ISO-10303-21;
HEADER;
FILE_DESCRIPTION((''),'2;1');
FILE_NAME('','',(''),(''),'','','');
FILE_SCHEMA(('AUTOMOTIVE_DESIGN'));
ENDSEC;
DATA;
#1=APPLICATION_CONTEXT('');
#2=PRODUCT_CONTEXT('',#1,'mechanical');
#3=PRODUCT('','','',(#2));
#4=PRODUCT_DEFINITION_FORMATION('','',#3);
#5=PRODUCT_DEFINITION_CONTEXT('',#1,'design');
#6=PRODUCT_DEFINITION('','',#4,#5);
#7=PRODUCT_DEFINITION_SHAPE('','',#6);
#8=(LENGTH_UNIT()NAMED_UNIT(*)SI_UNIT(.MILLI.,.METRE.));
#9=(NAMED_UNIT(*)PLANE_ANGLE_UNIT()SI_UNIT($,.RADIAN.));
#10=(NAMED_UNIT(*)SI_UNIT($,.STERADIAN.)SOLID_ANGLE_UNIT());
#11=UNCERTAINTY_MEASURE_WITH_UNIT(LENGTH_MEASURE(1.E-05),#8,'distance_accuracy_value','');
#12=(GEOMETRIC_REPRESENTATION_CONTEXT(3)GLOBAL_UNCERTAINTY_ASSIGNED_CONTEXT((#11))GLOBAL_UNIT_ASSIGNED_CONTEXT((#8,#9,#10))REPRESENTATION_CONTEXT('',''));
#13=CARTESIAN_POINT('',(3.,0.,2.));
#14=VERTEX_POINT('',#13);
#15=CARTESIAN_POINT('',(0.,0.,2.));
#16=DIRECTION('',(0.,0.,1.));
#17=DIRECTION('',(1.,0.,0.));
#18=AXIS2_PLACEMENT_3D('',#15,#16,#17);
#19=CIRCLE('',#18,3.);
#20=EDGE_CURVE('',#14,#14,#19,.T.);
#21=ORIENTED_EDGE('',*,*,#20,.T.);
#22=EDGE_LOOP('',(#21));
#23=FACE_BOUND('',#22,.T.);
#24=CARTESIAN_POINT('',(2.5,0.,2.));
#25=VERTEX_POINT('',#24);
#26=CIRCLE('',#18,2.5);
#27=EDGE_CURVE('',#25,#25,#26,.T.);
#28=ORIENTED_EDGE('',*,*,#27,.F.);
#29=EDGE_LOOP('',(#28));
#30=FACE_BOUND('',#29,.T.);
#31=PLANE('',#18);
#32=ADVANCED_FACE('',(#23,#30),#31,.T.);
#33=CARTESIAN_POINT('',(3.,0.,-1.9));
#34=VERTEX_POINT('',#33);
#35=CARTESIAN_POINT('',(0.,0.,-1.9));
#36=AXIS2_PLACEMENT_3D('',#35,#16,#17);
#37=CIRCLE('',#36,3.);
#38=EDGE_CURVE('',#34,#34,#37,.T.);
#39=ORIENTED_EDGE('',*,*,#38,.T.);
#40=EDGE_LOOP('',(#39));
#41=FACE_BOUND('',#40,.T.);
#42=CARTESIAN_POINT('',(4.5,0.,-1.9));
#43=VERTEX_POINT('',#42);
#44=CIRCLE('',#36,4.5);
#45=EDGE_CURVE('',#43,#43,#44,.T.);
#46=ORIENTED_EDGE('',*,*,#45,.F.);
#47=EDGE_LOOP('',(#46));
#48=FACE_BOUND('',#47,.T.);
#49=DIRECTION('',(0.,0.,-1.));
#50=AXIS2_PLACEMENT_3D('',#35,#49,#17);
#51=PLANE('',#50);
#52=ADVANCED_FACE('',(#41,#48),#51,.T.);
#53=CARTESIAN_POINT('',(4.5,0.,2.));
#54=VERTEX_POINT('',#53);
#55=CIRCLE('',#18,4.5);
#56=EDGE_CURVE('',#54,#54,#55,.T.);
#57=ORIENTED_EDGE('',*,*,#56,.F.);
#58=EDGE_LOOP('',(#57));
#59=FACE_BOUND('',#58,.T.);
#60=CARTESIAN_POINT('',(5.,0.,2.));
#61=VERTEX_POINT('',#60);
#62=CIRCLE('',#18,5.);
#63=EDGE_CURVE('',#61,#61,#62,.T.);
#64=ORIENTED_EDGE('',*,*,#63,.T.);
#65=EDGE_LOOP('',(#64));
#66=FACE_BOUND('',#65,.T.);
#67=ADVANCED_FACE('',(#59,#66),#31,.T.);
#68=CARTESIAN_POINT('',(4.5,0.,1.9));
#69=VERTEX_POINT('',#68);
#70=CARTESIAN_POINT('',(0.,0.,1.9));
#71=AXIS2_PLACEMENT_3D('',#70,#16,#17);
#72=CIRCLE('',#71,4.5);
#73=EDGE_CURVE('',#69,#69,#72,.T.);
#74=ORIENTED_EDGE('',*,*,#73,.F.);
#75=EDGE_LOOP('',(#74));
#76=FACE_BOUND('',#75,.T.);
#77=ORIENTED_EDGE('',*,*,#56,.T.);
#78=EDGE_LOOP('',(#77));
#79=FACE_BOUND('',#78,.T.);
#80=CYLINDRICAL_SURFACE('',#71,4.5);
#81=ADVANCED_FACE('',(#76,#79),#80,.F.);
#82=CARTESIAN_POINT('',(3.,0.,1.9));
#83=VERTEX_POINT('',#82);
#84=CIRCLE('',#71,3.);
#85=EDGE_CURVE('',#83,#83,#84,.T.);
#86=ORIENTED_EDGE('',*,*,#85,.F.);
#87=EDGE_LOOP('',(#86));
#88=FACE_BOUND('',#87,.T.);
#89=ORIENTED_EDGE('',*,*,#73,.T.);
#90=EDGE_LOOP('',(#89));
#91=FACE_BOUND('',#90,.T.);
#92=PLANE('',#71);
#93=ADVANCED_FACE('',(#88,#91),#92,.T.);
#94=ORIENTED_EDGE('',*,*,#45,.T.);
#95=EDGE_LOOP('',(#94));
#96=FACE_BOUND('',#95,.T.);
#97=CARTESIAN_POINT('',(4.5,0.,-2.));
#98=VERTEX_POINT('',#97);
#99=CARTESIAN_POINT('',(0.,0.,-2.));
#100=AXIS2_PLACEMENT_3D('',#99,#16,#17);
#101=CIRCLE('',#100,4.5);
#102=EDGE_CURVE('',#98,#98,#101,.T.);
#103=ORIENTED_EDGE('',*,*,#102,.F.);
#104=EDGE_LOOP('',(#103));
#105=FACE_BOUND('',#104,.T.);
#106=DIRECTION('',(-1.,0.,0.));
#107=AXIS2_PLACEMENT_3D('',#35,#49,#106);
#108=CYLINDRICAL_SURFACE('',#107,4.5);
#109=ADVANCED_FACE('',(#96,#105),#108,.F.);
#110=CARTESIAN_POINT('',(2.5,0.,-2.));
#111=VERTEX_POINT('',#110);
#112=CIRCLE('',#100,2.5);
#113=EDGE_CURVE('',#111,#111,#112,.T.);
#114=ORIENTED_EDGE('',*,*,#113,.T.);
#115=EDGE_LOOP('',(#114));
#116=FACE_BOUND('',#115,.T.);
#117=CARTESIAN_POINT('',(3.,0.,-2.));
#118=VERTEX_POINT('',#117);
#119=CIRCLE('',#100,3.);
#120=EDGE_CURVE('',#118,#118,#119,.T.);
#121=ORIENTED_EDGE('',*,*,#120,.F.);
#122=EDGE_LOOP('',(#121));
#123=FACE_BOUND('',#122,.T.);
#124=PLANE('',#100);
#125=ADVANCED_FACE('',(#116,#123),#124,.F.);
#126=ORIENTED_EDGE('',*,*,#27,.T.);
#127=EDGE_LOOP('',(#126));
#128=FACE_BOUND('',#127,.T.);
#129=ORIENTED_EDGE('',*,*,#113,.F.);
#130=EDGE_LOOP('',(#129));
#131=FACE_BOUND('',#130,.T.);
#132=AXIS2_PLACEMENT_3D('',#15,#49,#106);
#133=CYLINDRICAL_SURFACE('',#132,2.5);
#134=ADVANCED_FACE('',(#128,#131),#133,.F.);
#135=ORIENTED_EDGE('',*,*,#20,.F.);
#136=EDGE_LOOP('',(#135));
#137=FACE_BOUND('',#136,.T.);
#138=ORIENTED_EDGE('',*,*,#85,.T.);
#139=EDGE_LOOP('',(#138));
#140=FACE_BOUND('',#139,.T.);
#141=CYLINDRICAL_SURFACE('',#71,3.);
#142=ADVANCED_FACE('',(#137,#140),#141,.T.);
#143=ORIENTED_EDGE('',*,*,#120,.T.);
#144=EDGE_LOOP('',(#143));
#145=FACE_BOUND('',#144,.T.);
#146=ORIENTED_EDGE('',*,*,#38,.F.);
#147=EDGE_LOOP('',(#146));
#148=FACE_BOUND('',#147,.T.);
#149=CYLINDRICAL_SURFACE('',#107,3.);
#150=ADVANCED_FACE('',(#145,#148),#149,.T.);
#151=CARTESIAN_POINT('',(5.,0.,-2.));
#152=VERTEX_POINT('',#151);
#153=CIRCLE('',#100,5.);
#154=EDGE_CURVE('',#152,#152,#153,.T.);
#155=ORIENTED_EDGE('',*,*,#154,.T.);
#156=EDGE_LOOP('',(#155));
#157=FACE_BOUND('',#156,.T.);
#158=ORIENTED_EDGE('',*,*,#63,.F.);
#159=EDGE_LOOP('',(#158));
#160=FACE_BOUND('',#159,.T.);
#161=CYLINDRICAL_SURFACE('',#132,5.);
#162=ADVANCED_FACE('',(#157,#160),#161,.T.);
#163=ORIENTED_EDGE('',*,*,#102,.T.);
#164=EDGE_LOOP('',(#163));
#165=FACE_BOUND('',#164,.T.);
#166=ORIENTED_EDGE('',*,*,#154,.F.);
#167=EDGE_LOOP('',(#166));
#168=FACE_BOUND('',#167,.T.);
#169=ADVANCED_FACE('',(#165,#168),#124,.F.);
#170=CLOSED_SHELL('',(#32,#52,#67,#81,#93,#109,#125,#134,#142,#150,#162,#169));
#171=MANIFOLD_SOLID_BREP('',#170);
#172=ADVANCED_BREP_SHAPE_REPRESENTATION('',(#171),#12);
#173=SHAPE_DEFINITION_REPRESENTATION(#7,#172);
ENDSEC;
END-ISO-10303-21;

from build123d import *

# Parameters (mm, degrees)
SKETCH1_R           = 5
SKETCH1_R_2         = 2.5
BOSS_EXTRUDE1_DEPTH = 2
SKETCH2_R           = 4.5
SKETCH2_R_2         = 3
CUT_EXTRUDE1_DEPTH  = 0.1


with BuildPart() as part:
    # Sketch1 → Boss-Extrude1 (new, symmetric)
    with BuildSketch(Plane.XY):
        Circle(SKETCH1_R)
        Circle(SKETCH1_R_2, mode=Mode.SUBTRACT)
    extrude(amount=BOSS_EXTRUDE1_DEPTH, both=True)

    # Sketch2 → Cut-Extrude1 (cut)
    with BuildSketch(Plane.XY.offset(2)):
        Circle(SKETCH2_R)
        Circle(SKETCH2_R_2, mode=Mode.SUBTRACT)
    cut_extrude1 = extrude(amount=-CUT_EXTRUDE1_DEPTH, mode=Mode.SUBTRACT)

    # Mirror1: Cut-Extrude1 across plane
    add(cut_extrude1.mirror(Plane.XY), mode=Mode.SUBTRACT)


solid = part.part
